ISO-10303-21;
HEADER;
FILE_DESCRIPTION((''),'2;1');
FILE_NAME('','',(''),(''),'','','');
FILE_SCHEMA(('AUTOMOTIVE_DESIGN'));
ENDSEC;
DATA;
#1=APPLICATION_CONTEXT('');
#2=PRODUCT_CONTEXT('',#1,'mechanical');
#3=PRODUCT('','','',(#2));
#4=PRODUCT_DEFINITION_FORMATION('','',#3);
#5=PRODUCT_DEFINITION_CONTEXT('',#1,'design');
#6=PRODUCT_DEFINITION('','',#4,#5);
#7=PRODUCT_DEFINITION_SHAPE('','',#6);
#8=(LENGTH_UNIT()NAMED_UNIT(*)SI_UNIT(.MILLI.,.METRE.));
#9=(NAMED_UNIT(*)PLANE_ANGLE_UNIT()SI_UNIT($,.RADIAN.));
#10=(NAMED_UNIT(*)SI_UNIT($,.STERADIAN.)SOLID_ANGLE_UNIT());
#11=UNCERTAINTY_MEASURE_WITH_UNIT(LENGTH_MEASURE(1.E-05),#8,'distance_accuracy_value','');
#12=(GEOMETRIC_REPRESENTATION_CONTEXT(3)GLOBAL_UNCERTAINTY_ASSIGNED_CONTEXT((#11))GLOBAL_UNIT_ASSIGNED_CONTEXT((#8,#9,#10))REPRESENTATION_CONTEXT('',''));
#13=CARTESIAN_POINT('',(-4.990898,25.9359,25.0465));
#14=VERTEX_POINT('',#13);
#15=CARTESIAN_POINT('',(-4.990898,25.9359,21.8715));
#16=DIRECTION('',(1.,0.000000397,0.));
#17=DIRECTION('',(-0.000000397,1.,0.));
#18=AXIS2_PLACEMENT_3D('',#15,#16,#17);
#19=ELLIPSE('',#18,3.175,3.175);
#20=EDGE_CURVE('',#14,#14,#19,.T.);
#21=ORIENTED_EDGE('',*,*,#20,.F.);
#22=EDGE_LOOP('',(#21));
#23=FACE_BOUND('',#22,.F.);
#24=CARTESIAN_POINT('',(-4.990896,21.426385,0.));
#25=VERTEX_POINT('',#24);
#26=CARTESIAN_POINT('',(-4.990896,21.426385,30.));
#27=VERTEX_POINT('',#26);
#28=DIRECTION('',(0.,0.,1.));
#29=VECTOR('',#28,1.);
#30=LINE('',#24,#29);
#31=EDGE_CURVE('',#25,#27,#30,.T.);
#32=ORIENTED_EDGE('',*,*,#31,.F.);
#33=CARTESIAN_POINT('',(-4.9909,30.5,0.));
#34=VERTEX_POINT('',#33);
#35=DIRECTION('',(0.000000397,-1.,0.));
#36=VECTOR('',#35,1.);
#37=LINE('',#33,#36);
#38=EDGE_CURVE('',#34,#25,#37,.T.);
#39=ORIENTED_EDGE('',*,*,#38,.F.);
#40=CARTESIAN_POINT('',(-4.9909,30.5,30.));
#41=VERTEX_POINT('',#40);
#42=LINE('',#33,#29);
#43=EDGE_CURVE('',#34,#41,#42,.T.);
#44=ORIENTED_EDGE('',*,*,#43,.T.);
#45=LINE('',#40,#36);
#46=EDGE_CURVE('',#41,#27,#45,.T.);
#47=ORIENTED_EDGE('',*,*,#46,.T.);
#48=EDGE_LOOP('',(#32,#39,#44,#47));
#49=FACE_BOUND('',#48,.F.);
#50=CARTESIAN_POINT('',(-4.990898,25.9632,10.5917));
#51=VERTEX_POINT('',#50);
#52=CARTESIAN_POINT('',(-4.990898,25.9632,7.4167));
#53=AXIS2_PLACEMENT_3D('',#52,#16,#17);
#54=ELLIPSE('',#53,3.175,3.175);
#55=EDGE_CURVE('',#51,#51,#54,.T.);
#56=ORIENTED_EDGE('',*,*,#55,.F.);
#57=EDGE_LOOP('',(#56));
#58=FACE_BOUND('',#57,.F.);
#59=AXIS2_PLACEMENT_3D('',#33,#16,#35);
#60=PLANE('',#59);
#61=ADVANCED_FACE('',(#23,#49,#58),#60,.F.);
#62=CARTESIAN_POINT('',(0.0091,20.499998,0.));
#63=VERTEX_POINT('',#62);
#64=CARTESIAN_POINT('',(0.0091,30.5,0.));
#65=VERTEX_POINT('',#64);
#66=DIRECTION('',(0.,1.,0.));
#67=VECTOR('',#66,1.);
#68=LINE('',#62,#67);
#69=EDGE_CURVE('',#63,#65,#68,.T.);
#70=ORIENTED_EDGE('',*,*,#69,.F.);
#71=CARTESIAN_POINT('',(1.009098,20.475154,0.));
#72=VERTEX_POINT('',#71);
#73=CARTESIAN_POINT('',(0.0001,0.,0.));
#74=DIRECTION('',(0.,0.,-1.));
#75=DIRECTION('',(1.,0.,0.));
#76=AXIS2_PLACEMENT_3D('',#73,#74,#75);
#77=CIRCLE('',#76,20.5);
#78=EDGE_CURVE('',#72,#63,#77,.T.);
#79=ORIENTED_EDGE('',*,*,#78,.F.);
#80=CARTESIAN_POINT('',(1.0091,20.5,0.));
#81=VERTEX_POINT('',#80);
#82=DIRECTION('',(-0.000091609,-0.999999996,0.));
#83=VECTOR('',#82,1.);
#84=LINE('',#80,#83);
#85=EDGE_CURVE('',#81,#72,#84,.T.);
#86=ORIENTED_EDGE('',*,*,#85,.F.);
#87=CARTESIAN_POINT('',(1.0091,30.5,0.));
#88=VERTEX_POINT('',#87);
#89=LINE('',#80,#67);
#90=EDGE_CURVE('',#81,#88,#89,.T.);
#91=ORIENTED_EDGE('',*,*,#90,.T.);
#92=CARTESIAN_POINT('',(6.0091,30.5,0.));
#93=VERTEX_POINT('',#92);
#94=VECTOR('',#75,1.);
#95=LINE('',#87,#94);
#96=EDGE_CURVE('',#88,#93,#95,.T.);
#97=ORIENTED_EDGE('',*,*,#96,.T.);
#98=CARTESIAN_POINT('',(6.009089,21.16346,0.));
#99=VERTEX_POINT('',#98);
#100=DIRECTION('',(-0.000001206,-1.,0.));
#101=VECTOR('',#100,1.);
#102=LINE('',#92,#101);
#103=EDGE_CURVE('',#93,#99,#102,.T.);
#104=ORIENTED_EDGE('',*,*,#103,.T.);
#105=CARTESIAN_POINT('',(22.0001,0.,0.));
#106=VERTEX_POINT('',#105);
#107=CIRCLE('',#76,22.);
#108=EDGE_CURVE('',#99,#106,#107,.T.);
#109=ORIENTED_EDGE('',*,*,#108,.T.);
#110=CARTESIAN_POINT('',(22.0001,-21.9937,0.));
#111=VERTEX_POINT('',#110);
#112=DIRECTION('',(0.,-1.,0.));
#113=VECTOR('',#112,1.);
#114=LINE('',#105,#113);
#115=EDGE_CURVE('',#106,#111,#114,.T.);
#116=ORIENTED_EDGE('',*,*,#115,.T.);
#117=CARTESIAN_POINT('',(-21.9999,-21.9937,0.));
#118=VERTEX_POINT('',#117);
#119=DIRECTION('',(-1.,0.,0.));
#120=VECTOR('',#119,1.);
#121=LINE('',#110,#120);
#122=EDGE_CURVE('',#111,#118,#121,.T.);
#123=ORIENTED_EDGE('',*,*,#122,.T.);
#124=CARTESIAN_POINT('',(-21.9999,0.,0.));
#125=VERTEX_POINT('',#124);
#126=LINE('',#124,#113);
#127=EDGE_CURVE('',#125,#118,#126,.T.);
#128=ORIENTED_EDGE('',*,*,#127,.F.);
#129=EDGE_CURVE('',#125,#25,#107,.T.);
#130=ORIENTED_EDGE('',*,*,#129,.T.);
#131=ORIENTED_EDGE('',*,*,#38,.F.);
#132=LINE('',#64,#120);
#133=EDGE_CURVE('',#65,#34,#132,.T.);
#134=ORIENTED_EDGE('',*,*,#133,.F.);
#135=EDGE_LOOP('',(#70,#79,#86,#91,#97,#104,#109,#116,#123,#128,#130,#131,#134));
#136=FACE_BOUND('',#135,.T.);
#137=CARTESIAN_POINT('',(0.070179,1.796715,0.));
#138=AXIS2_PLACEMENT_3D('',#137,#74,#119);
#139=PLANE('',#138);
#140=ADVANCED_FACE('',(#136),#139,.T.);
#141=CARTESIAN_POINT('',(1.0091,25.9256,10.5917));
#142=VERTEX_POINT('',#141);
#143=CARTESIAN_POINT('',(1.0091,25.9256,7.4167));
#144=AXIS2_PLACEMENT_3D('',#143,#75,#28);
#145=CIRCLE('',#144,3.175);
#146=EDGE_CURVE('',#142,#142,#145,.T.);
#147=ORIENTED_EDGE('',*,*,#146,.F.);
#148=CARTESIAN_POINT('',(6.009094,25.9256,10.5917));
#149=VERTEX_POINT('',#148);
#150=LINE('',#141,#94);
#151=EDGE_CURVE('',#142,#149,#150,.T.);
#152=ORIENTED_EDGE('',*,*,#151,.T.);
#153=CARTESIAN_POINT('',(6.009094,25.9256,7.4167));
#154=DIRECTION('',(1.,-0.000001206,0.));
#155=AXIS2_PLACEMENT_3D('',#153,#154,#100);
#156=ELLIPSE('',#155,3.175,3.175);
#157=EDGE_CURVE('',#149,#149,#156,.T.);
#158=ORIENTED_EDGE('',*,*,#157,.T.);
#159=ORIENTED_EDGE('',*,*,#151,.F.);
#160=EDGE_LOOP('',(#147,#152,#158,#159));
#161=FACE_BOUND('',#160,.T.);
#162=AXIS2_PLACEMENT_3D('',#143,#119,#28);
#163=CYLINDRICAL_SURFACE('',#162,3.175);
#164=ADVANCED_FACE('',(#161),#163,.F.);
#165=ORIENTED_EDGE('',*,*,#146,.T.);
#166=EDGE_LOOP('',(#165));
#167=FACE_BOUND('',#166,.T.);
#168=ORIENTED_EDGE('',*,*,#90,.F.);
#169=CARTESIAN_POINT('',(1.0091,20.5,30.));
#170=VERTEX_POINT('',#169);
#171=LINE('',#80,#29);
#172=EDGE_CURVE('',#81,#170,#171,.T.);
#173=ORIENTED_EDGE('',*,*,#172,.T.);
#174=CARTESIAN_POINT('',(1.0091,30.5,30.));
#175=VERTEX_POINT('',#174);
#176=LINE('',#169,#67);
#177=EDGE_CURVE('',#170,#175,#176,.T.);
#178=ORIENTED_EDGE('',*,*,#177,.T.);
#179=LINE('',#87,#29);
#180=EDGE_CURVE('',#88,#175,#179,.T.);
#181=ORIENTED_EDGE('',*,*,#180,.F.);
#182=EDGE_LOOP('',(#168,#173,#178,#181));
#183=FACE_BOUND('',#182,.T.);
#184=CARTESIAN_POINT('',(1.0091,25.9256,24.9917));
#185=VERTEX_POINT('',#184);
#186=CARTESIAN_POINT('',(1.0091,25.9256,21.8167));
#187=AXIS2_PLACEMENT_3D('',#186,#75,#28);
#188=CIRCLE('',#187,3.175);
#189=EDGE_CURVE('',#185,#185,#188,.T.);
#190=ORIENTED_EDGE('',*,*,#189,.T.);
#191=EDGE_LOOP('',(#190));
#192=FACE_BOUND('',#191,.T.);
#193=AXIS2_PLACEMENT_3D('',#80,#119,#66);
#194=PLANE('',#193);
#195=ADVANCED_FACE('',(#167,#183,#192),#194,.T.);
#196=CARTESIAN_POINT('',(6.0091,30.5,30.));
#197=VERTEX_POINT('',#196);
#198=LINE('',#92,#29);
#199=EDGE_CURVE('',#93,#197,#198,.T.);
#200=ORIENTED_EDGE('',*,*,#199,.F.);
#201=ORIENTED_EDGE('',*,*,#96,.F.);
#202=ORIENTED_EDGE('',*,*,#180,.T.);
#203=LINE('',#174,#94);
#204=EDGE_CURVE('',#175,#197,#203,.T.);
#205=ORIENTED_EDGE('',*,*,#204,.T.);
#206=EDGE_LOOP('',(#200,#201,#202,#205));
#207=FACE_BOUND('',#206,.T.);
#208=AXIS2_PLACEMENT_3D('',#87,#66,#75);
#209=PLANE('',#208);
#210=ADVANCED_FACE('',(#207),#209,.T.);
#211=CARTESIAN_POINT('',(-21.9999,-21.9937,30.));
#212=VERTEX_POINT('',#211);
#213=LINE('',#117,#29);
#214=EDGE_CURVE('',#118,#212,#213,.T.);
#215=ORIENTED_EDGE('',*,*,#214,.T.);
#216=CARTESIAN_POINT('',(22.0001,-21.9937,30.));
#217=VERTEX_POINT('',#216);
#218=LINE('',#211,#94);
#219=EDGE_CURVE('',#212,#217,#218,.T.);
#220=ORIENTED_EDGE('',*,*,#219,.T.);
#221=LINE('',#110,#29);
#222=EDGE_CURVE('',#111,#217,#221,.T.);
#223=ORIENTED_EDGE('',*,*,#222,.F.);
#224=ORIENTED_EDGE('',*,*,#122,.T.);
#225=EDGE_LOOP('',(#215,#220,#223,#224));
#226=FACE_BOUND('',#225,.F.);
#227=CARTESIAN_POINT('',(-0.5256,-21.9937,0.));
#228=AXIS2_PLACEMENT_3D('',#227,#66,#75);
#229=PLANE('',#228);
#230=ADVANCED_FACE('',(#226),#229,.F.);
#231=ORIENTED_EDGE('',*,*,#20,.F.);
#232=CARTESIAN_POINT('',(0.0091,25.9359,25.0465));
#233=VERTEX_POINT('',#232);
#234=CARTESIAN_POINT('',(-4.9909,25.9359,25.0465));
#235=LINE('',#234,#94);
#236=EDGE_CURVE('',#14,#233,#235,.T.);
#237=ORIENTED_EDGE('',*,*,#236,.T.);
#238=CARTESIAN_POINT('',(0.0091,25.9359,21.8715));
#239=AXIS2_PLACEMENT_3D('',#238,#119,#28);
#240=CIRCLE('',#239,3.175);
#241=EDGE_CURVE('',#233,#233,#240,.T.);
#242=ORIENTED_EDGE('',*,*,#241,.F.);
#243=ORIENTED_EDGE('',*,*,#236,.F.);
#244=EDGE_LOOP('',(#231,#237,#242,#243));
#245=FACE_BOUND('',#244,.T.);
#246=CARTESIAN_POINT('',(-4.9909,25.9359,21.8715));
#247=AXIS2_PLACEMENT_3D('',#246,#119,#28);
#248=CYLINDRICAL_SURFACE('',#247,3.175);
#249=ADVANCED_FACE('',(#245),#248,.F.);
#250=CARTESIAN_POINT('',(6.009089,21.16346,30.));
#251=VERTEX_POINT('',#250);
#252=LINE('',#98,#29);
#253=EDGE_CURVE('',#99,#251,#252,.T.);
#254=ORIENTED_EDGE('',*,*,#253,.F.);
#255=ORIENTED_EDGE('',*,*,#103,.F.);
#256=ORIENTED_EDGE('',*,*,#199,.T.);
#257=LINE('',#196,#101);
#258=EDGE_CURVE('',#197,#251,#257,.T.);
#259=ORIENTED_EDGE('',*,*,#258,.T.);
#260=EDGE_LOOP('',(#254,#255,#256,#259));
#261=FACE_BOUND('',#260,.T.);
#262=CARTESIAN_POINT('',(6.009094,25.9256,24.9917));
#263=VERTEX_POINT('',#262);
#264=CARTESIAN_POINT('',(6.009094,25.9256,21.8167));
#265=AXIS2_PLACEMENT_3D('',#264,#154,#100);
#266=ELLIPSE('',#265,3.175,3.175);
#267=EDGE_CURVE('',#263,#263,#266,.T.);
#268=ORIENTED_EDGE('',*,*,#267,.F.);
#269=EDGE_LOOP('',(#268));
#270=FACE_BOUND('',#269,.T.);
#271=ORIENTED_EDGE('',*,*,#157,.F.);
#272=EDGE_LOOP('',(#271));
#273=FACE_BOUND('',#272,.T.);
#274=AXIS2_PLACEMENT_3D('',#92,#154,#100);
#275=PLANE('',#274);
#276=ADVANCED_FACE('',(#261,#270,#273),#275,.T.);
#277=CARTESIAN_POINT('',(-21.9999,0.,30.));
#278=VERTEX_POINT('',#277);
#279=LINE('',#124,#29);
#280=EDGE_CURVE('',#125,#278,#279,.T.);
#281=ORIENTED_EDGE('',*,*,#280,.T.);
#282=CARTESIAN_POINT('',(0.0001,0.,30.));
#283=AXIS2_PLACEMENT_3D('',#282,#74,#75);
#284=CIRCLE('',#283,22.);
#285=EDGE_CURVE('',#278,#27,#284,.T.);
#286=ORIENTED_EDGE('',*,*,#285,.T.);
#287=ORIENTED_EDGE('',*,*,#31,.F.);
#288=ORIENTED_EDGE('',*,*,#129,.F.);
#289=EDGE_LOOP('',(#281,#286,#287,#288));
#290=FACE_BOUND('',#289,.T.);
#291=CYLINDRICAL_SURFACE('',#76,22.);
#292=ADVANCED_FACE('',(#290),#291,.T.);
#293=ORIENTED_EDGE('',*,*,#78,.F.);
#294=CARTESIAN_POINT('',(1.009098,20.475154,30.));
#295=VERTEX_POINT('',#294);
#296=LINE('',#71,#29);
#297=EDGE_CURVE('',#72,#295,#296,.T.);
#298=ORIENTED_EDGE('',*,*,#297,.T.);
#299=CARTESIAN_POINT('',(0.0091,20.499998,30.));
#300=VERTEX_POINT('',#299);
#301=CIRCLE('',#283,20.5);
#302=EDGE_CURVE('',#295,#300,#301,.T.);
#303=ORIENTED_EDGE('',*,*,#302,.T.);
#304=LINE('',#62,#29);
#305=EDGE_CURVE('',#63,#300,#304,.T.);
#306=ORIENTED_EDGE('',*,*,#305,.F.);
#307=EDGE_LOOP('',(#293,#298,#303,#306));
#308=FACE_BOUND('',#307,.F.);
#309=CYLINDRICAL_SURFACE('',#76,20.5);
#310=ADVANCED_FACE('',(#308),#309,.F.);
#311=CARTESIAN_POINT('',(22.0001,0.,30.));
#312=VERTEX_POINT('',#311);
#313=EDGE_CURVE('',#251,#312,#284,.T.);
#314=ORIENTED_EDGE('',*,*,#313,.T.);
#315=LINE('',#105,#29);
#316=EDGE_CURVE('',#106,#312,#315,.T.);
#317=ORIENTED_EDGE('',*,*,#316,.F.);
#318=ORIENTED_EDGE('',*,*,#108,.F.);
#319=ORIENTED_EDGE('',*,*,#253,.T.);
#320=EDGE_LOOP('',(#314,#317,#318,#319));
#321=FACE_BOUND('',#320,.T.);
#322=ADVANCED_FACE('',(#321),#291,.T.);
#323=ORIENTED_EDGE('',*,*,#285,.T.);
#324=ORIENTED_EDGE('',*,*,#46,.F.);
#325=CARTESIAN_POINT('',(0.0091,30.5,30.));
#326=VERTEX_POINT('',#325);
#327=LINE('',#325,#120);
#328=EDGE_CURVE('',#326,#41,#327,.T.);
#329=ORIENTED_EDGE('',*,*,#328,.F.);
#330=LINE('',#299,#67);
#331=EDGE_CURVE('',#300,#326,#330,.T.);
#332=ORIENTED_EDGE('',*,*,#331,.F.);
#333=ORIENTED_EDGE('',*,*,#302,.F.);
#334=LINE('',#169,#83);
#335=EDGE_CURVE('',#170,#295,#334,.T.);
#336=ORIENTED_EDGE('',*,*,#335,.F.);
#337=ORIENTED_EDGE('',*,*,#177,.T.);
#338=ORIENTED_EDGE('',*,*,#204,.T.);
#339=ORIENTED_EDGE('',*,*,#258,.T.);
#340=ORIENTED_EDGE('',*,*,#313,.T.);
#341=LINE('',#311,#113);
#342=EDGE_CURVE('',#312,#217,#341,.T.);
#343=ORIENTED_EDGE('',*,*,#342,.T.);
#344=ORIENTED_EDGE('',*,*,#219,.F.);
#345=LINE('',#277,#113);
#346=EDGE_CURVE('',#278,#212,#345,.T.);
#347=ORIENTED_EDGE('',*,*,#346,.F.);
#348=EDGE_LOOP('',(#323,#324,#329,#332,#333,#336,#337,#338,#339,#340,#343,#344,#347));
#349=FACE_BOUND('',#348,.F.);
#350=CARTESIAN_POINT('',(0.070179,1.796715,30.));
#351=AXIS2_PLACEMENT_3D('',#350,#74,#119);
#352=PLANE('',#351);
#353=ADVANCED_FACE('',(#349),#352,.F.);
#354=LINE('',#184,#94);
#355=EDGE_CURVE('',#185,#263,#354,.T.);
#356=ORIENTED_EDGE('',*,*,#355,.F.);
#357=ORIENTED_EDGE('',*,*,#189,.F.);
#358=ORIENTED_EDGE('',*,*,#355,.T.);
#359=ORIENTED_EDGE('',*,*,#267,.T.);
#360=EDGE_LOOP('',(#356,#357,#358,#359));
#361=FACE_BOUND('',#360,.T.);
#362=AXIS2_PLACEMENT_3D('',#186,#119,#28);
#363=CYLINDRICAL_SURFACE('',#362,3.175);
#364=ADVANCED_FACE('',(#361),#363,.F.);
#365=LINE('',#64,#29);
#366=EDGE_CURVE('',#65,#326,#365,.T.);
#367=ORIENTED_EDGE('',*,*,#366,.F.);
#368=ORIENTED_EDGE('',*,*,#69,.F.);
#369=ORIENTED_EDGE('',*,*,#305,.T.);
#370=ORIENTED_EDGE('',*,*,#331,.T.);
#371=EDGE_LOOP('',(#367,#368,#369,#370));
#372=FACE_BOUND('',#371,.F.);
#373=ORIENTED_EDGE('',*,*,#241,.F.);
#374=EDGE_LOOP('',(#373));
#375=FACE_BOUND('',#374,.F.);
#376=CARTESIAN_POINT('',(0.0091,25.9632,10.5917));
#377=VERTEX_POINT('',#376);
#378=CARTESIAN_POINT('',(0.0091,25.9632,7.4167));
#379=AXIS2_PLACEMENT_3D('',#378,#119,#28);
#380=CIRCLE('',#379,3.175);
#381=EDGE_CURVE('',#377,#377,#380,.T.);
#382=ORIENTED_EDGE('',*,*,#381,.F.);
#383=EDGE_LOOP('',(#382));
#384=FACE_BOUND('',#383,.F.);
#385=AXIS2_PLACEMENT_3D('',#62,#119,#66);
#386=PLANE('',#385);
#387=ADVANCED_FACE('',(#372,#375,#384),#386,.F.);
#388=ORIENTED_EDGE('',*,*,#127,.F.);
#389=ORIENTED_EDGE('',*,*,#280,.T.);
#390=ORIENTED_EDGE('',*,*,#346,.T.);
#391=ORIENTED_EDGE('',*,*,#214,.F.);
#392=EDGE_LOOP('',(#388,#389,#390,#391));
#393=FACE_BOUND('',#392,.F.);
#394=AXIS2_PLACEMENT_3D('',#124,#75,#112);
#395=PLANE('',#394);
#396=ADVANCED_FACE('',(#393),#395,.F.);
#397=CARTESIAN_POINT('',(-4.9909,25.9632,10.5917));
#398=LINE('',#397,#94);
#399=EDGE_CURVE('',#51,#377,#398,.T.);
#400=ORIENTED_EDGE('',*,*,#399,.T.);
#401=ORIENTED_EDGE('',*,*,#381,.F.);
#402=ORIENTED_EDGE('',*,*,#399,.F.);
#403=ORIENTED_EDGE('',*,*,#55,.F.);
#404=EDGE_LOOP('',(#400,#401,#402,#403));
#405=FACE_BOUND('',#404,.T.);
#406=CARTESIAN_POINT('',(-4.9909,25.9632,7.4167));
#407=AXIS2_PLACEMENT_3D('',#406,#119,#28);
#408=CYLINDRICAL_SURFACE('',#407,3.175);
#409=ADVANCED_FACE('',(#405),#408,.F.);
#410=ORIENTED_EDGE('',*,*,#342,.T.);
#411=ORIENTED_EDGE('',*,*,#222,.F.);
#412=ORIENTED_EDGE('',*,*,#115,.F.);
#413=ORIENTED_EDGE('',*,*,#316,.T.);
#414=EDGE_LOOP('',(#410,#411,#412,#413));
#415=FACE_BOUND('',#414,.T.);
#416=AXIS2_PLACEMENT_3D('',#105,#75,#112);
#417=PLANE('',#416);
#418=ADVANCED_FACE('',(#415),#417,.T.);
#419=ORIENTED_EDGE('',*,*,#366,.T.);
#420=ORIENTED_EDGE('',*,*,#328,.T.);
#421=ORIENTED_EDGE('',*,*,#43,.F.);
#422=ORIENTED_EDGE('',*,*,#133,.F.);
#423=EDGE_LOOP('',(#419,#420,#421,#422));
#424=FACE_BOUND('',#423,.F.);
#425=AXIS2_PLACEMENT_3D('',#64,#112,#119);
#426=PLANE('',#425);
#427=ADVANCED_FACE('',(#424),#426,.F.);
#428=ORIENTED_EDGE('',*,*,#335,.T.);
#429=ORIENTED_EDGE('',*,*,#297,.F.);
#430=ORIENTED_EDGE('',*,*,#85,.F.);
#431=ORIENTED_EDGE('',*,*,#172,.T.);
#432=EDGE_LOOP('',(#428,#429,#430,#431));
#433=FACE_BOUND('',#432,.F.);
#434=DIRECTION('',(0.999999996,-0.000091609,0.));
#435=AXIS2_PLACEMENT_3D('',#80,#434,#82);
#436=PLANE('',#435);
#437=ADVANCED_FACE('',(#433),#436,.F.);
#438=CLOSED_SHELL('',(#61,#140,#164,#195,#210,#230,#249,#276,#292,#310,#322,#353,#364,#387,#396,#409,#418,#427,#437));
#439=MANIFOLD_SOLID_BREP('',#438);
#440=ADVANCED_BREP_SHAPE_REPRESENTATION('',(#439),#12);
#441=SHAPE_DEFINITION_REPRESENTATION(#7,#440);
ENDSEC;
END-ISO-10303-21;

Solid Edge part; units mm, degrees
sketch "Sketch1" plane through (0, 0, 0) normal (0, 0, 1) x (1, 0, 0)
  line L0 (6.0091, 30.5) -> (6.0091, 21.1635)
  line L1 (22.0001, 0) -> (22.0001, -21.9937)
  line L2 (-0.5256, -21.9937) -> (22.0001, -21.9937)
  line L3 (-0.5256, -21.9937) -> (-21.9999, -21.9937)
  line L4 (-21.9999, 0) -> (-21.9999, -21.9937)
  arc A0 (-21.9999, 0) -> (-4.9909, 21.4264) centre (0.0001, 0) cw
  line L5 (-4.9909, 30.5) -> (-4.9909, 21.4264)
  line L6 (0.0091, 30.5) -> (-4.9909, 30.5)
  line L7 (0.0091, 20.5) -> (0.0091, 30.5)
  line L8 (1.0091, 20.5) -> (1.0091, 20.4752)
  line L9 (1.0091, 20.5) -> (1.0091, 30.5)
  line L10 (1.0091, 30.5) -> (6.0091, 30.5)
  arc A1 (6.0091, 21.1635) -> (22.0001, 0) centre (0.0001, 0) cw
  arc A2 (1.0091, 20.4752) -> (0.0091, 20.5) centre (0.0001, 0) cw
extrude "Protrusion1" add sketch "Sketch1" along normal blind 30
hole "Hole_1" at (-4.9909, 25.9632, 7.4167) direction (1, 0, 0) diameter 6.35 end up to next
hole "Hole1" at (-4.9909, 25.9359, 21.8715) direction (1, 0, 0) diameter 6.35 end up to next
hole "Hole_3" at (1.0091, 25.9256, 7.4167) direction (1, 0, 0) diameter 6.35 end up to next
hole "Hole2" at (1.0091, 25.9256, 21.8167) direction (1, 0, 0) diameter 6.35 end up to next
